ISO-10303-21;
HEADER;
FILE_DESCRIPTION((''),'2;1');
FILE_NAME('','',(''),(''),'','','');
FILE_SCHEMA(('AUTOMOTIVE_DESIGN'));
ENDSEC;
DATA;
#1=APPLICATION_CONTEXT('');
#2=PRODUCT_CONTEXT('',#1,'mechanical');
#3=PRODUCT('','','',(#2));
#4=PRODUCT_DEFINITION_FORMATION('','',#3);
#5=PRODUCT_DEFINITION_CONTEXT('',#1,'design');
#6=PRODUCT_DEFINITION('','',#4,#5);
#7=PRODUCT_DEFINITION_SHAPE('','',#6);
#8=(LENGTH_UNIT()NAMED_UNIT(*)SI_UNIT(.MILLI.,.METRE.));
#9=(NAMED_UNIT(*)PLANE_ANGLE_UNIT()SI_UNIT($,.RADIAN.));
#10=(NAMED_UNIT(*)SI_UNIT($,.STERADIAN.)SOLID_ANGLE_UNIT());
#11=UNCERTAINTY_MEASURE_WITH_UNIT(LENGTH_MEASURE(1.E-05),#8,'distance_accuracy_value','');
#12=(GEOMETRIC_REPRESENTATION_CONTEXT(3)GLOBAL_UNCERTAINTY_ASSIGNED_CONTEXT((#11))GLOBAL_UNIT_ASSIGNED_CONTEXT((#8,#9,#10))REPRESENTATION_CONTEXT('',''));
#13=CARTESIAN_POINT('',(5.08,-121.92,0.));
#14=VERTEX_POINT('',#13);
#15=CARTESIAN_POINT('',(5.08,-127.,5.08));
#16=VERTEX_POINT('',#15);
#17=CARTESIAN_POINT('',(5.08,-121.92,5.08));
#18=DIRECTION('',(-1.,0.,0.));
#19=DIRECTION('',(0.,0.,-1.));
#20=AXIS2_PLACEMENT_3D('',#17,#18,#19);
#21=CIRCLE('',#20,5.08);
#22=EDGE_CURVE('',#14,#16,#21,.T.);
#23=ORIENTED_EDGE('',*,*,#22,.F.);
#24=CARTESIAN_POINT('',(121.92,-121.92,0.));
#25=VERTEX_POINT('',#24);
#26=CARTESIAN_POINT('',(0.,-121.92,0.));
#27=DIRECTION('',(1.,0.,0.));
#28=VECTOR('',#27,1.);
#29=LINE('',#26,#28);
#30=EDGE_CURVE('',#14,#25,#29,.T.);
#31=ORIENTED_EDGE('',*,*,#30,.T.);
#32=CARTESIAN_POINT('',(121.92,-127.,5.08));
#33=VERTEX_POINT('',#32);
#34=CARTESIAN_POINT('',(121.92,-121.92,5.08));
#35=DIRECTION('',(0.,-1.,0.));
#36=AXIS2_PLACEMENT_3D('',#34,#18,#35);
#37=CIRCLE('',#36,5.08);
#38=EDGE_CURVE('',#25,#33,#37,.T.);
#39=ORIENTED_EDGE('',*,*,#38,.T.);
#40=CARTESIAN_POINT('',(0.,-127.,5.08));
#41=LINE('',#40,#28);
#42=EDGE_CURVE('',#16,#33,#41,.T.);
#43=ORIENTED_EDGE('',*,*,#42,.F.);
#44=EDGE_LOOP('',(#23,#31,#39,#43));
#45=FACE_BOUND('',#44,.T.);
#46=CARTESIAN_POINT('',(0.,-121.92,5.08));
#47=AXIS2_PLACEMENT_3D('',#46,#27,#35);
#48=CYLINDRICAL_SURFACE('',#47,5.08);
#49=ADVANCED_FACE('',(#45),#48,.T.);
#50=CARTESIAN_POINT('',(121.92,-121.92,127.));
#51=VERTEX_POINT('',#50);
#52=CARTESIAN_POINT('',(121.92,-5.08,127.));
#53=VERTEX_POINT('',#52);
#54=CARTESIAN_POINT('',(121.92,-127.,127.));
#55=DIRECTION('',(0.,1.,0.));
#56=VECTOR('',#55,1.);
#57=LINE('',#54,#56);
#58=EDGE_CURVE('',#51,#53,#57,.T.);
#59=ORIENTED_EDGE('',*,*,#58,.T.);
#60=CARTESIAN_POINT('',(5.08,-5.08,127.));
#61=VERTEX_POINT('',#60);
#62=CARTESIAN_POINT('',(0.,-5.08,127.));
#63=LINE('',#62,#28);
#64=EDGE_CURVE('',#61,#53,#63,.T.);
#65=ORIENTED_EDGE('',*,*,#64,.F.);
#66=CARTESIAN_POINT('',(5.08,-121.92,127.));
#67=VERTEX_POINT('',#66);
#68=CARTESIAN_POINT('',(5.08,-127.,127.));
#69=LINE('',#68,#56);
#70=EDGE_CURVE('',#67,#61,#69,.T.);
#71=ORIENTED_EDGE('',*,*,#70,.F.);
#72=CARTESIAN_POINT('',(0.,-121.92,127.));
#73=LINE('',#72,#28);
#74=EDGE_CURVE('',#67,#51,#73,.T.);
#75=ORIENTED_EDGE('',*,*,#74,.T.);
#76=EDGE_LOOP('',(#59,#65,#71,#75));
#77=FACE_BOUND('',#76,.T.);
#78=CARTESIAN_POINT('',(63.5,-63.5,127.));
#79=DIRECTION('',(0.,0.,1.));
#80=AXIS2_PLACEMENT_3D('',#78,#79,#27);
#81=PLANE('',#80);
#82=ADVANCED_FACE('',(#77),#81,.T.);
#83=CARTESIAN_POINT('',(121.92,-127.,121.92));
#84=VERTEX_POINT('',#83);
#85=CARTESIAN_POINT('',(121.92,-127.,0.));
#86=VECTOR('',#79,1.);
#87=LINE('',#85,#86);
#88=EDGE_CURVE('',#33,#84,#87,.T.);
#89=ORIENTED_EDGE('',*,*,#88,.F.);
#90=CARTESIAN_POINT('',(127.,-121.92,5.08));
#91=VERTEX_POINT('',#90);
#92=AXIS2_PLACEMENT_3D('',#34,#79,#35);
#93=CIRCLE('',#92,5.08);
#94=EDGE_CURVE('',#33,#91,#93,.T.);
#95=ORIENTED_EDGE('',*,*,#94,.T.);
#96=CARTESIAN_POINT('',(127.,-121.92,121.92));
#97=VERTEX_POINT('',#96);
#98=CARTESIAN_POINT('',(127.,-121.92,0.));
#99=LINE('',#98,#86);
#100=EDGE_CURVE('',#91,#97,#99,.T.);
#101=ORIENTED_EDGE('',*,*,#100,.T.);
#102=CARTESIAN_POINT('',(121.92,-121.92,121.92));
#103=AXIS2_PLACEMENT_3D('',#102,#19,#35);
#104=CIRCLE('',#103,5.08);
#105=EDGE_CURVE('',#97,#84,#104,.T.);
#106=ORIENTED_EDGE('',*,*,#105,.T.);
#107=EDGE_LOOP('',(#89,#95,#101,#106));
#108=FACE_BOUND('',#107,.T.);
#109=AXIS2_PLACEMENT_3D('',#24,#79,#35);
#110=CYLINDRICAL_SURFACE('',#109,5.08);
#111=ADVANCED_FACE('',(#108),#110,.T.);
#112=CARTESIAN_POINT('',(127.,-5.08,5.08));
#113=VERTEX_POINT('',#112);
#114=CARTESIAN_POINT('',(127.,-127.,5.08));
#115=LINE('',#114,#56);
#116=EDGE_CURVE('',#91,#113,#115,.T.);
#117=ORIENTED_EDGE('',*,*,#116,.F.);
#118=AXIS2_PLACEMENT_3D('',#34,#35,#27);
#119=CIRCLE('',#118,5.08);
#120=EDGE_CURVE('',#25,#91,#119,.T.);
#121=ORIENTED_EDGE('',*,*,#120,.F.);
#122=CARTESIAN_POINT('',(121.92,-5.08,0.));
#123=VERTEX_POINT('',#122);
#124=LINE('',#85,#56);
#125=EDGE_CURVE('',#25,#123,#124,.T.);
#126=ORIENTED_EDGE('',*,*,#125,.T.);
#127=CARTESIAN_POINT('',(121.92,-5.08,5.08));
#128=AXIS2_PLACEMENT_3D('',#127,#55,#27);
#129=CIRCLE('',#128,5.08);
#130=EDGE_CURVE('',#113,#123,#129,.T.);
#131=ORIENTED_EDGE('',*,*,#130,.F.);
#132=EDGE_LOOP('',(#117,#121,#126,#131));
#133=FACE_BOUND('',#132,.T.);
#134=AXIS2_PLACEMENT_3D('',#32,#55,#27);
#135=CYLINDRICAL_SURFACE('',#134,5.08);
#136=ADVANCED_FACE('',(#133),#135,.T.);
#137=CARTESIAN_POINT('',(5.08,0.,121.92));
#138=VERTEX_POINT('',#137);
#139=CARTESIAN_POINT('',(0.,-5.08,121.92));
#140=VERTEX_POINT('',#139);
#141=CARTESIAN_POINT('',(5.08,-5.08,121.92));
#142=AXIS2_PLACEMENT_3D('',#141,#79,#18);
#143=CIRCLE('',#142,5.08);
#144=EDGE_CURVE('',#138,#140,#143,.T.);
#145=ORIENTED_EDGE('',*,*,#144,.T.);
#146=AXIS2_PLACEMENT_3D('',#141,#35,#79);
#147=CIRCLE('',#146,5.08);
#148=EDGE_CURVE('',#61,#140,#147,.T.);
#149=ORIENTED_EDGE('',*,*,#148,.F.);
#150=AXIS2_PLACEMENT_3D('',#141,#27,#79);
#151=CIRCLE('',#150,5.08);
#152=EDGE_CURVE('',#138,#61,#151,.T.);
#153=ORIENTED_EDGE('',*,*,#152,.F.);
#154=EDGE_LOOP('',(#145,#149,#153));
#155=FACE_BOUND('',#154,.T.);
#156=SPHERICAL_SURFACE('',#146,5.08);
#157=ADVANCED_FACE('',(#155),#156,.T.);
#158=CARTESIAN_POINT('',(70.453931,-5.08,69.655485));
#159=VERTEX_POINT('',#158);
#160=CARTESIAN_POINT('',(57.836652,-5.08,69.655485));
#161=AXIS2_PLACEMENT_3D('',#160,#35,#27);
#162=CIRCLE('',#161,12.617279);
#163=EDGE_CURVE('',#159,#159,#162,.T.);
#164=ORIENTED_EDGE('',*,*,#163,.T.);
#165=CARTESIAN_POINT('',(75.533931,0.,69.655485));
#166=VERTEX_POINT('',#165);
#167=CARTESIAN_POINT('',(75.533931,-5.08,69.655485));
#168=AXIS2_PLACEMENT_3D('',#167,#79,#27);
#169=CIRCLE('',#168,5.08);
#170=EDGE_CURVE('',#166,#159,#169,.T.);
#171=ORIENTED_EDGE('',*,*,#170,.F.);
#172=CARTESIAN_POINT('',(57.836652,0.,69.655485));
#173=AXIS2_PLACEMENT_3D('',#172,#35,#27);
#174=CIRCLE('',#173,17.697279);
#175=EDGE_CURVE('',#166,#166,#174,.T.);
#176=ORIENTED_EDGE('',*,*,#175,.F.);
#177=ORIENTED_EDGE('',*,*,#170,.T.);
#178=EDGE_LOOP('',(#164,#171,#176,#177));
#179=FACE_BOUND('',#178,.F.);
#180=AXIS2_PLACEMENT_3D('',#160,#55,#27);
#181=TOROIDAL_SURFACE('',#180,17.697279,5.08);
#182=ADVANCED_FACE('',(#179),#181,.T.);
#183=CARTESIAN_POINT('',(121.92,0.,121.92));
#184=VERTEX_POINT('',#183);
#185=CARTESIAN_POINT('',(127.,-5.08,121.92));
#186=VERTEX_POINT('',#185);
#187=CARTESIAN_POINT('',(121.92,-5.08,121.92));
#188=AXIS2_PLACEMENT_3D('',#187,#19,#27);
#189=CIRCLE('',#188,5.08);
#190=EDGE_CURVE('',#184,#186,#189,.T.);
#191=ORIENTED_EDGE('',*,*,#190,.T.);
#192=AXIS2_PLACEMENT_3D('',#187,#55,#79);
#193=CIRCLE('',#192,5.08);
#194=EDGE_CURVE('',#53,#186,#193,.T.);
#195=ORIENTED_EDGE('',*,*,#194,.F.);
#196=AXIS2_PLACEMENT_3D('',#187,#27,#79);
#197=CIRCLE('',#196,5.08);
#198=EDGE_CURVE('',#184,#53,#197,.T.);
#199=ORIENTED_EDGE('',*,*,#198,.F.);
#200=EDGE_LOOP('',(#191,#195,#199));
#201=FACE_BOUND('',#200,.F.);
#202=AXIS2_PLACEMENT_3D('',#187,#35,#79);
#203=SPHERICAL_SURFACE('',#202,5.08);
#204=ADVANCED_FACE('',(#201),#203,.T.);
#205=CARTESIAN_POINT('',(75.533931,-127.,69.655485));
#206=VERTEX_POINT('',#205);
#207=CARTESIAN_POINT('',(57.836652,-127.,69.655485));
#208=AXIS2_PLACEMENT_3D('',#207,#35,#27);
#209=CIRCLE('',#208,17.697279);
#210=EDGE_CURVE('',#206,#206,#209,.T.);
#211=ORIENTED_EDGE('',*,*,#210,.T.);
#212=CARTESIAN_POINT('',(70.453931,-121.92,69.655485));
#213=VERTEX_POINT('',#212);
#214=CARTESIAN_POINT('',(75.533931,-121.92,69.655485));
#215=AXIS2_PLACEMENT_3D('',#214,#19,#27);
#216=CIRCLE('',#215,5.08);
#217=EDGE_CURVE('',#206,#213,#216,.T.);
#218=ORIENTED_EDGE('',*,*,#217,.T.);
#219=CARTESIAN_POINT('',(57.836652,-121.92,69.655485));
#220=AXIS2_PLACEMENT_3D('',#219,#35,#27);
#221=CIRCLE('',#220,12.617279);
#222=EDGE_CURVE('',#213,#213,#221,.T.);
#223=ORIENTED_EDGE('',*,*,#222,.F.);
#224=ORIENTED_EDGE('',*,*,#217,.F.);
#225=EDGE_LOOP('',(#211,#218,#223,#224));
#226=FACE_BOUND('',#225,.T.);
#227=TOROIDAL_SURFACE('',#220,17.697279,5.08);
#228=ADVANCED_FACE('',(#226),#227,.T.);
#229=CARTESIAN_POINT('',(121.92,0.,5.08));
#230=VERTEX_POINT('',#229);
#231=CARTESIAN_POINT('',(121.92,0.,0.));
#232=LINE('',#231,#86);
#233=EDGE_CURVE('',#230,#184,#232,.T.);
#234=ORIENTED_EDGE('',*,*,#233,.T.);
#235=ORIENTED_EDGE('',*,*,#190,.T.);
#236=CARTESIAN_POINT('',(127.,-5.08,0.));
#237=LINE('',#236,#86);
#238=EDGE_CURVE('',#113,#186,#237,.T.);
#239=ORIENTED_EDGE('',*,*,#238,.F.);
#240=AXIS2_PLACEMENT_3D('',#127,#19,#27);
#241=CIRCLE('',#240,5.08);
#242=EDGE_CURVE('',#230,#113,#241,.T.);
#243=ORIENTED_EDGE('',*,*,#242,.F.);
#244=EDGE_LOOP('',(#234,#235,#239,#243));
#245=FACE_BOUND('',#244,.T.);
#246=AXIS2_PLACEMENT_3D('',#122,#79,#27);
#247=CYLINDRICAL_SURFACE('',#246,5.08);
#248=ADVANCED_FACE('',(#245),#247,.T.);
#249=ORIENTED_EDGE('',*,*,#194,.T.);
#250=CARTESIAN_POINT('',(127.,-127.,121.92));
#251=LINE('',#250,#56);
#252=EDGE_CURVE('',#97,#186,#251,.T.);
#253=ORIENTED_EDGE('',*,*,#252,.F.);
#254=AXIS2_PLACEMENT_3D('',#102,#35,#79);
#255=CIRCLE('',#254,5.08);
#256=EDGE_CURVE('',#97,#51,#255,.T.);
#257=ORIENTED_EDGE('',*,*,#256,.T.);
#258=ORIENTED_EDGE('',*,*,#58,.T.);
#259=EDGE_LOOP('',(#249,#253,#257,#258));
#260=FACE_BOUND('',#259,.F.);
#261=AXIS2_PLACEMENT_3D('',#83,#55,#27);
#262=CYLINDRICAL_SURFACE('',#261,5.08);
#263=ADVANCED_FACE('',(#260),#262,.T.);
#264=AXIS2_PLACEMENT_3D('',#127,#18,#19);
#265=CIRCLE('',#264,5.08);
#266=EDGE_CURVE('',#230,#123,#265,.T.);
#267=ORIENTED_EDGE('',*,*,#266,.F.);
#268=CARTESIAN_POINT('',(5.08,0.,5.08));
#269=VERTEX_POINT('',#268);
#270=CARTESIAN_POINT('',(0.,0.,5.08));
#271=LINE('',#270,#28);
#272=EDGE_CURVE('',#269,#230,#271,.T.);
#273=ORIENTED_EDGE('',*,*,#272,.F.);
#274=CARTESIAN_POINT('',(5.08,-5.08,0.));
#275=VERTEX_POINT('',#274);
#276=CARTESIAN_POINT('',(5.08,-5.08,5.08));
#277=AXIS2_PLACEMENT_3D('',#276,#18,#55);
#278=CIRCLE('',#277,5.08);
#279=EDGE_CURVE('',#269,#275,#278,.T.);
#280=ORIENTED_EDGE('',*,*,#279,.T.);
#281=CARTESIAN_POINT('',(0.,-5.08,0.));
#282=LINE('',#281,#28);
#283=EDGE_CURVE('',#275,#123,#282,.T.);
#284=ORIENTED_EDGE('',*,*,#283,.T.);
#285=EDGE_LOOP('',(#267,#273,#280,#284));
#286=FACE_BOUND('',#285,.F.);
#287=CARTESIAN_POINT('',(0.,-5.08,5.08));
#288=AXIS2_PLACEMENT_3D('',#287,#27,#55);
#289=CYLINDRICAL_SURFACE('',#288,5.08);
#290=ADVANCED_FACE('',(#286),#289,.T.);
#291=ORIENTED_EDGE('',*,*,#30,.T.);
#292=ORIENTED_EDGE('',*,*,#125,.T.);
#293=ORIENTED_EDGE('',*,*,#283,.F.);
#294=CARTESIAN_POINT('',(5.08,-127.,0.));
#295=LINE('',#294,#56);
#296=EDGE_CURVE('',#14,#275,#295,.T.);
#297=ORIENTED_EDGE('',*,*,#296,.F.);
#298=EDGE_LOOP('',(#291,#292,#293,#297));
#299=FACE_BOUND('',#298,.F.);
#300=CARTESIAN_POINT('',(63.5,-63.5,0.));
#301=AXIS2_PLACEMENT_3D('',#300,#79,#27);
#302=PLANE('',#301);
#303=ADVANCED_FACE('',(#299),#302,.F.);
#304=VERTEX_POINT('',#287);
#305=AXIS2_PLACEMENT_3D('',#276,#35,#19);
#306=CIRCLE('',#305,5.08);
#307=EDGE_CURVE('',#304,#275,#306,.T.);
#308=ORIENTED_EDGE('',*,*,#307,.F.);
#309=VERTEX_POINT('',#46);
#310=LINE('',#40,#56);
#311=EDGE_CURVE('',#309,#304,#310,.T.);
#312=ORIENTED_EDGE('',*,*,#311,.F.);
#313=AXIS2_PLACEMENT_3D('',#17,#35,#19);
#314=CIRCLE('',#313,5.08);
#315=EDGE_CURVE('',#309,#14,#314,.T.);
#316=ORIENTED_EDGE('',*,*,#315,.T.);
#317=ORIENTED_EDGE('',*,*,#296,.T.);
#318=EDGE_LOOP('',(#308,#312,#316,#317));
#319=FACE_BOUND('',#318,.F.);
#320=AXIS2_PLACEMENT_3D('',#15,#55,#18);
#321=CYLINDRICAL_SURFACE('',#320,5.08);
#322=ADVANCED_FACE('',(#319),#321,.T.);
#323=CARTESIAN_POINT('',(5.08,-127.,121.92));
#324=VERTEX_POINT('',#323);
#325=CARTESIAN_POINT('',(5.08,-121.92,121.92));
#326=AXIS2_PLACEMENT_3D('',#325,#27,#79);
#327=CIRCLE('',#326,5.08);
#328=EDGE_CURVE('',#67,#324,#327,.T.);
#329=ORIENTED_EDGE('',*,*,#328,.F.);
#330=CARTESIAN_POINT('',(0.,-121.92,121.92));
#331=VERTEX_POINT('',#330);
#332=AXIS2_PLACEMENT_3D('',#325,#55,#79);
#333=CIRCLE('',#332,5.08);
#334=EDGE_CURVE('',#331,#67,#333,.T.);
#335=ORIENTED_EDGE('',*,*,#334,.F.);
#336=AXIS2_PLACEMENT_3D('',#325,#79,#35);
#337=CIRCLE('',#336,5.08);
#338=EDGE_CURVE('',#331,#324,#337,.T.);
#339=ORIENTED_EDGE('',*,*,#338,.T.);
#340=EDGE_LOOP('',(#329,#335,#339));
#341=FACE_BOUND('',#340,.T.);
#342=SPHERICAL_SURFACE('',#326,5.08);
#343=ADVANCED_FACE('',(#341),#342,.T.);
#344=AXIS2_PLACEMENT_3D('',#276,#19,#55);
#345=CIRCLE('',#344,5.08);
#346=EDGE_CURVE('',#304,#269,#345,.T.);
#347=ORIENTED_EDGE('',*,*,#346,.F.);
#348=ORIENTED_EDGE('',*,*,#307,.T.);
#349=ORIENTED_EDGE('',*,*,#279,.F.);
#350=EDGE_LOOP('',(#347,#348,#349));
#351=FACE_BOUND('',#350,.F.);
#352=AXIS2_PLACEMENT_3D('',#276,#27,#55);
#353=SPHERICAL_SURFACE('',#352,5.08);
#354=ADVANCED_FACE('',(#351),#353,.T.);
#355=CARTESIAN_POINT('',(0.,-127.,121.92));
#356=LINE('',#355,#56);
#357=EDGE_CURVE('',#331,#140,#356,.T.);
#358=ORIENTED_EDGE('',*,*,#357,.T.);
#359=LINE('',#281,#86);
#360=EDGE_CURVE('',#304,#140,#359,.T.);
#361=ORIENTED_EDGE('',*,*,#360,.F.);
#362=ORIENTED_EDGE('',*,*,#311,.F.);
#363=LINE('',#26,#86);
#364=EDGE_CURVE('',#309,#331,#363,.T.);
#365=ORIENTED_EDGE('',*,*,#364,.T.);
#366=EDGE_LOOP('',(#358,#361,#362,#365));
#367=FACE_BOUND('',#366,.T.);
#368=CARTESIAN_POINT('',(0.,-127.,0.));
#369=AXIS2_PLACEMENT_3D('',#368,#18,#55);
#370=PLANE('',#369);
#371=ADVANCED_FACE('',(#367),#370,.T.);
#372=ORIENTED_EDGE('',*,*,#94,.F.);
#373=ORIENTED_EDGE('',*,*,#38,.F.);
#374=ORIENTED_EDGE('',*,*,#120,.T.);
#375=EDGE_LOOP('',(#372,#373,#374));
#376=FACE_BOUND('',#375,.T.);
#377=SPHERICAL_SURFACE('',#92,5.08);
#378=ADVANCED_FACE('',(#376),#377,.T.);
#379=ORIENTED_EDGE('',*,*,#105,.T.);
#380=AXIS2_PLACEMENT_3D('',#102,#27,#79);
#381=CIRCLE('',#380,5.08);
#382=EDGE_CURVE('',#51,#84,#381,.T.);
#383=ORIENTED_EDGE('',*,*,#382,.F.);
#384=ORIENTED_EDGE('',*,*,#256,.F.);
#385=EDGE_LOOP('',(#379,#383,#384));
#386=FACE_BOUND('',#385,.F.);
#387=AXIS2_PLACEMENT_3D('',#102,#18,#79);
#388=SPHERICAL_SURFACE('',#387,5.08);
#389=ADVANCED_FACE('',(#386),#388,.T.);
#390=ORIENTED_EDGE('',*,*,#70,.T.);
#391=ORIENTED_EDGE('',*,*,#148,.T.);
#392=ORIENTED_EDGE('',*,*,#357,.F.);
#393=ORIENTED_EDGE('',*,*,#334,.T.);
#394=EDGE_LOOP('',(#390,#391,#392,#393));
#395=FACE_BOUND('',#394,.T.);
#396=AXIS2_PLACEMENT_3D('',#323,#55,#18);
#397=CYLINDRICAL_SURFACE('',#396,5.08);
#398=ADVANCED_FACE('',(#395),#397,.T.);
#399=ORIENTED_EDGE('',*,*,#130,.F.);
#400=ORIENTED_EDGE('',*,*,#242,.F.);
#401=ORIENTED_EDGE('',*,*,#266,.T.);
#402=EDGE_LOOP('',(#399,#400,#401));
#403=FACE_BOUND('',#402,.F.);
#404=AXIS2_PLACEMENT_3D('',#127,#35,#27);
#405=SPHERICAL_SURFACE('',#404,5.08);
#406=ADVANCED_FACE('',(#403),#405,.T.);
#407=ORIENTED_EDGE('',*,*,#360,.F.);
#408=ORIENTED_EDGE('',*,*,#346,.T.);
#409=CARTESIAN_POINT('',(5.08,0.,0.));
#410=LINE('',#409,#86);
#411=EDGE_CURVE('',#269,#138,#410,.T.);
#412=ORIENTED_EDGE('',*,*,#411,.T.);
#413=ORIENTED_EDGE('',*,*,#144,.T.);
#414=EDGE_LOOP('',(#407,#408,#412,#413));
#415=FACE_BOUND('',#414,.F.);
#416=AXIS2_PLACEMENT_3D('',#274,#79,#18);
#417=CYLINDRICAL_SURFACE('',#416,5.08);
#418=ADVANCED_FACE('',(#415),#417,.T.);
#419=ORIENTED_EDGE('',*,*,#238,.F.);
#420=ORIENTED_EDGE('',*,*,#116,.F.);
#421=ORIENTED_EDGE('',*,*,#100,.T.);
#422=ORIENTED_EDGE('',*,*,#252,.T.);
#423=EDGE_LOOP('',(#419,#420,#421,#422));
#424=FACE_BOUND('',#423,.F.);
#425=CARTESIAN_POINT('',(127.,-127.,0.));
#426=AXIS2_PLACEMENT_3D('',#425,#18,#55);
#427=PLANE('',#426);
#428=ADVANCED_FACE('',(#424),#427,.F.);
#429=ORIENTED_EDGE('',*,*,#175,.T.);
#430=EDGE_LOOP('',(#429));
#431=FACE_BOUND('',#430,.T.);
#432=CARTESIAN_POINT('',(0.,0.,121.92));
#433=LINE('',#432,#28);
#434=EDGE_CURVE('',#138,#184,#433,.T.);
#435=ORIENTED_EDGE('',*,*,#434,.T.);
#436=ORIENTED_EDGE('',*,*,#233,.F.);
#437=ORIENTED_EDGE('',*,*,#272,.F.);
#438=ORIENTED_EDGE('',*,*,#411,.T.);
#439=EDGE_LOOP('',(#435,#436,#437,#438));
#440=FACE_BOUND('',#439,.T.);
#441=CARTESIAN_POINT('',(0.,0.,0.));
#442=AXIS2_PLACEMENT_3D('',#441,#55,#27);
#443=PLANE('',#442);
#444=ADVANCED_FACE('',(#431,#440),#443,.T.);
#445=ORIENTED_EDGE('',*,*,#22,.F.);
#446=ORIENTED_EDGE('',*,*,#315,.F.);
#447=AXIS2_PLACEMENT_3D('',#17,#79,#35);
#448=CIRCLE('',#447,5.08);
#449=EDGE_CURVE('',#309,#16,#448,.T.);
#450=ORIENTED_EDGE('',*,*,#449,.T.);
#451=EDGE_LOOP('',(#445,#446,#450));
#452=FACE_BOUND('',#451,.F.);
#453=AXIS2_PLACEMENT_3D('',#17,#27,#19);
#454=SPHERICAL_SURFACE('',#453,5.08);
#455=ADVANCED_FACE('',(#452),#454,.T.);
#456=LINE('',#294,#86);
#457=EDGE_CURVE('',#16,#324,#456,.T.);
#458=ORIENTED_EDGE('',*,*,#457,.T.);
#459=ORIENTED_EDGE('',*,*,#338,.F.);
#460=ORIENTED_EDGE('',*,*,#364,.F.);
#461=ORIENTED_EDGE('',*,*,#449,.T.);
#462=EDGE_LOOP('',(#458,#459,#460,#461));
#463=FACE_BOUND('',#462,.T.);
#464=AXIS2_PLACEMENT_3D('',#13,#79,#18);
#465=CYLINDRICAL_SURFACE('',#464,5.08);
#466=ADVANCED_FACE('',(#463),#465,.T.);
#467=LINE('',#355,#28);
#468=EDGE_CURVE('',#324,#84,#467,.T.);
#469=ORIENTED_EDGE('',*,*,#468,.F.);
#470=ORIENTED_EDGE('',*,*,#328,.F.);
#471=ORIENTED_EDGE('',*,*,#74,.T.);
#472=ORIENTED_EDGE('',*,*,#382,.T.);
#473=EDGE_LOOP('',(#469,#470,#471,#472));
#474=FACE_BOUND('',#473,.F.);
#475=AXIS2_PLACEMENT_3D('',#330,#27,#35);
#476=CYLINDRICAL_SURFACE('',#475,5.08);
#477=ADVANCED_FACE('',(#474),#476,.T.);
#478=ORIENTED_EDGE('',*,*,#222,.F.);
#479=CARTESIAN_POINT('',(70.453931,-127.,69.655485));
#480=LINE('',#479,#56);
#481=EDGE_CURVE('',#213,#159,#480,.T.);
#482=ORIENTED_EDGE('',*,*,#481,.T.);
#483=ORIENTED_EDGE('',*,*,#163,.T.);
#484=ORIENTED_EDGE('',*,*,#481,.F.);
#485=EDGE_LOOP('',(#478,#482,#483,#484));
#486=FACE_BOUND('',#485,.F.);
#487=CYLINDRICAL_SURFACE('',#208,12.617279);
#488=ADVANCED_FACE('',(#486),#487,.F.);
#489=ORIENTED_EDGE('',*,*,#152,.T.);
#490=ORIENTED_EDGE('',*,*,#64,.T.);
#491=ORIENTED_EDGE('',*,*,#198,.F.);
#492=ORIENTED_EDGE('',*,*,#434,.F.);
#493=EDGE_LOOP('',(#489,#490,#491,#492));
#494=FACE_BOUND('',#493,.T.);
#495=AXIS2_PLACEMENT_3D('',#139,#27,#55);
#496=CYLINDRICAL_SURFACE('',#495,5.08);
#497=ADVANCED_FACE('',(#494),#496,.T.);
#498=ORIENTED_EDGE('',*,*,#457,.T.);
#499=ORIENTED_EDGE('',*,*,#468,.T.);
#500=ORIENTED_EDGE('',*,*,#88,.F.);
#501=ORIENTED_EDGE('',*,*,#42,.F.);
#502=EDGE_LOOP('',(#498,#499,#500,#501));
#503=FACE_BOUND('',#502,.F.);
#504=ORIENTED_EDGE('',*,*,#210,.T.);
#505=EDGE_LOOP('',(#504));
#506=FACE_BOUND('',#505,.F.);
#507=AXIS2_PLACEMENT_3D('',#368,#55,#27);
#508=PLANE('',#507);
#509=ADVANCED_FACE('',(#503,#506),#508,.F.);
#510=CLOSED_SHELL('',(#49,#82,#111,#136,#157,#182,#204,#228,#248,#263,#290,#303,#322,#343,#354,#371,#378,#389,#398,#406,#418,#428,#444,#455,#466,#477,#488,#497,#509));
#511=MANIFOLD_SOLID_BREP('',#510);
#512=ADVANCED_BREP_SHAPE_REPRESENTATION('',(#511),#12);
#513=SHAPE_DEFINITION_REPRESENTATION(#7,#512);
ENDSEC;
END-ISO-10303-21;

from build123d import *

# Parameters (mm, degrees)
F0_W     = 127
F0_H     = 127
F1_DEPTH = 127
F2_R     = 5.08
F3_R     = 12.617279
F4_DEPTH = 127.001
F5_R     = 5.08


with BuildPart() as f1:
    # F0 (on Top) → F1 (new body)
    with BuildSketch(Plane.XY):
        with Locations((63.5, -63.5)):
            Rectangle(F0_W, F0_H)
    extrude(amount=F1_DEPTH)

    # F2
    f2_edges = [f1.edges().sort_by_distance(p)[0] for p in [
        (63.5, -127, 127),
        (127, -63.5, 127),
        (0, -63.5, 127),
        (63.5, 0, 127),
        (127, -127, 63.5),
        (63.5, -127, 0),
        (127, -63.5, 0),
        (127, 0, 63.5),
        (63.5, 0, 0),
        (0, 0, 63.5),
        (0, -63.5, 0),
        (0, -127, 63.5),
    ]]
    fillet(f2_edges, radius=F2_R)

    # F3 (on face) → F4 (cut, through all)
    with BuildSketch(Plane.XZ.offset(127)):
        with Locations((57.836652, 69.655485)):
            Circle(F3_R)
    extrude(amount=-F4_DEPTH, mode=Mode.SUBTRACT)

    # F5
    f5_edges = [f1.edges().sort_by_distance(p)[0] for p in [
        (45.219373, -127, 69.655485),
        (45.219373, 0, 69.655485),
    ]]
    fillet(f5_edges, radius=F5_R)


solid = f1.part
